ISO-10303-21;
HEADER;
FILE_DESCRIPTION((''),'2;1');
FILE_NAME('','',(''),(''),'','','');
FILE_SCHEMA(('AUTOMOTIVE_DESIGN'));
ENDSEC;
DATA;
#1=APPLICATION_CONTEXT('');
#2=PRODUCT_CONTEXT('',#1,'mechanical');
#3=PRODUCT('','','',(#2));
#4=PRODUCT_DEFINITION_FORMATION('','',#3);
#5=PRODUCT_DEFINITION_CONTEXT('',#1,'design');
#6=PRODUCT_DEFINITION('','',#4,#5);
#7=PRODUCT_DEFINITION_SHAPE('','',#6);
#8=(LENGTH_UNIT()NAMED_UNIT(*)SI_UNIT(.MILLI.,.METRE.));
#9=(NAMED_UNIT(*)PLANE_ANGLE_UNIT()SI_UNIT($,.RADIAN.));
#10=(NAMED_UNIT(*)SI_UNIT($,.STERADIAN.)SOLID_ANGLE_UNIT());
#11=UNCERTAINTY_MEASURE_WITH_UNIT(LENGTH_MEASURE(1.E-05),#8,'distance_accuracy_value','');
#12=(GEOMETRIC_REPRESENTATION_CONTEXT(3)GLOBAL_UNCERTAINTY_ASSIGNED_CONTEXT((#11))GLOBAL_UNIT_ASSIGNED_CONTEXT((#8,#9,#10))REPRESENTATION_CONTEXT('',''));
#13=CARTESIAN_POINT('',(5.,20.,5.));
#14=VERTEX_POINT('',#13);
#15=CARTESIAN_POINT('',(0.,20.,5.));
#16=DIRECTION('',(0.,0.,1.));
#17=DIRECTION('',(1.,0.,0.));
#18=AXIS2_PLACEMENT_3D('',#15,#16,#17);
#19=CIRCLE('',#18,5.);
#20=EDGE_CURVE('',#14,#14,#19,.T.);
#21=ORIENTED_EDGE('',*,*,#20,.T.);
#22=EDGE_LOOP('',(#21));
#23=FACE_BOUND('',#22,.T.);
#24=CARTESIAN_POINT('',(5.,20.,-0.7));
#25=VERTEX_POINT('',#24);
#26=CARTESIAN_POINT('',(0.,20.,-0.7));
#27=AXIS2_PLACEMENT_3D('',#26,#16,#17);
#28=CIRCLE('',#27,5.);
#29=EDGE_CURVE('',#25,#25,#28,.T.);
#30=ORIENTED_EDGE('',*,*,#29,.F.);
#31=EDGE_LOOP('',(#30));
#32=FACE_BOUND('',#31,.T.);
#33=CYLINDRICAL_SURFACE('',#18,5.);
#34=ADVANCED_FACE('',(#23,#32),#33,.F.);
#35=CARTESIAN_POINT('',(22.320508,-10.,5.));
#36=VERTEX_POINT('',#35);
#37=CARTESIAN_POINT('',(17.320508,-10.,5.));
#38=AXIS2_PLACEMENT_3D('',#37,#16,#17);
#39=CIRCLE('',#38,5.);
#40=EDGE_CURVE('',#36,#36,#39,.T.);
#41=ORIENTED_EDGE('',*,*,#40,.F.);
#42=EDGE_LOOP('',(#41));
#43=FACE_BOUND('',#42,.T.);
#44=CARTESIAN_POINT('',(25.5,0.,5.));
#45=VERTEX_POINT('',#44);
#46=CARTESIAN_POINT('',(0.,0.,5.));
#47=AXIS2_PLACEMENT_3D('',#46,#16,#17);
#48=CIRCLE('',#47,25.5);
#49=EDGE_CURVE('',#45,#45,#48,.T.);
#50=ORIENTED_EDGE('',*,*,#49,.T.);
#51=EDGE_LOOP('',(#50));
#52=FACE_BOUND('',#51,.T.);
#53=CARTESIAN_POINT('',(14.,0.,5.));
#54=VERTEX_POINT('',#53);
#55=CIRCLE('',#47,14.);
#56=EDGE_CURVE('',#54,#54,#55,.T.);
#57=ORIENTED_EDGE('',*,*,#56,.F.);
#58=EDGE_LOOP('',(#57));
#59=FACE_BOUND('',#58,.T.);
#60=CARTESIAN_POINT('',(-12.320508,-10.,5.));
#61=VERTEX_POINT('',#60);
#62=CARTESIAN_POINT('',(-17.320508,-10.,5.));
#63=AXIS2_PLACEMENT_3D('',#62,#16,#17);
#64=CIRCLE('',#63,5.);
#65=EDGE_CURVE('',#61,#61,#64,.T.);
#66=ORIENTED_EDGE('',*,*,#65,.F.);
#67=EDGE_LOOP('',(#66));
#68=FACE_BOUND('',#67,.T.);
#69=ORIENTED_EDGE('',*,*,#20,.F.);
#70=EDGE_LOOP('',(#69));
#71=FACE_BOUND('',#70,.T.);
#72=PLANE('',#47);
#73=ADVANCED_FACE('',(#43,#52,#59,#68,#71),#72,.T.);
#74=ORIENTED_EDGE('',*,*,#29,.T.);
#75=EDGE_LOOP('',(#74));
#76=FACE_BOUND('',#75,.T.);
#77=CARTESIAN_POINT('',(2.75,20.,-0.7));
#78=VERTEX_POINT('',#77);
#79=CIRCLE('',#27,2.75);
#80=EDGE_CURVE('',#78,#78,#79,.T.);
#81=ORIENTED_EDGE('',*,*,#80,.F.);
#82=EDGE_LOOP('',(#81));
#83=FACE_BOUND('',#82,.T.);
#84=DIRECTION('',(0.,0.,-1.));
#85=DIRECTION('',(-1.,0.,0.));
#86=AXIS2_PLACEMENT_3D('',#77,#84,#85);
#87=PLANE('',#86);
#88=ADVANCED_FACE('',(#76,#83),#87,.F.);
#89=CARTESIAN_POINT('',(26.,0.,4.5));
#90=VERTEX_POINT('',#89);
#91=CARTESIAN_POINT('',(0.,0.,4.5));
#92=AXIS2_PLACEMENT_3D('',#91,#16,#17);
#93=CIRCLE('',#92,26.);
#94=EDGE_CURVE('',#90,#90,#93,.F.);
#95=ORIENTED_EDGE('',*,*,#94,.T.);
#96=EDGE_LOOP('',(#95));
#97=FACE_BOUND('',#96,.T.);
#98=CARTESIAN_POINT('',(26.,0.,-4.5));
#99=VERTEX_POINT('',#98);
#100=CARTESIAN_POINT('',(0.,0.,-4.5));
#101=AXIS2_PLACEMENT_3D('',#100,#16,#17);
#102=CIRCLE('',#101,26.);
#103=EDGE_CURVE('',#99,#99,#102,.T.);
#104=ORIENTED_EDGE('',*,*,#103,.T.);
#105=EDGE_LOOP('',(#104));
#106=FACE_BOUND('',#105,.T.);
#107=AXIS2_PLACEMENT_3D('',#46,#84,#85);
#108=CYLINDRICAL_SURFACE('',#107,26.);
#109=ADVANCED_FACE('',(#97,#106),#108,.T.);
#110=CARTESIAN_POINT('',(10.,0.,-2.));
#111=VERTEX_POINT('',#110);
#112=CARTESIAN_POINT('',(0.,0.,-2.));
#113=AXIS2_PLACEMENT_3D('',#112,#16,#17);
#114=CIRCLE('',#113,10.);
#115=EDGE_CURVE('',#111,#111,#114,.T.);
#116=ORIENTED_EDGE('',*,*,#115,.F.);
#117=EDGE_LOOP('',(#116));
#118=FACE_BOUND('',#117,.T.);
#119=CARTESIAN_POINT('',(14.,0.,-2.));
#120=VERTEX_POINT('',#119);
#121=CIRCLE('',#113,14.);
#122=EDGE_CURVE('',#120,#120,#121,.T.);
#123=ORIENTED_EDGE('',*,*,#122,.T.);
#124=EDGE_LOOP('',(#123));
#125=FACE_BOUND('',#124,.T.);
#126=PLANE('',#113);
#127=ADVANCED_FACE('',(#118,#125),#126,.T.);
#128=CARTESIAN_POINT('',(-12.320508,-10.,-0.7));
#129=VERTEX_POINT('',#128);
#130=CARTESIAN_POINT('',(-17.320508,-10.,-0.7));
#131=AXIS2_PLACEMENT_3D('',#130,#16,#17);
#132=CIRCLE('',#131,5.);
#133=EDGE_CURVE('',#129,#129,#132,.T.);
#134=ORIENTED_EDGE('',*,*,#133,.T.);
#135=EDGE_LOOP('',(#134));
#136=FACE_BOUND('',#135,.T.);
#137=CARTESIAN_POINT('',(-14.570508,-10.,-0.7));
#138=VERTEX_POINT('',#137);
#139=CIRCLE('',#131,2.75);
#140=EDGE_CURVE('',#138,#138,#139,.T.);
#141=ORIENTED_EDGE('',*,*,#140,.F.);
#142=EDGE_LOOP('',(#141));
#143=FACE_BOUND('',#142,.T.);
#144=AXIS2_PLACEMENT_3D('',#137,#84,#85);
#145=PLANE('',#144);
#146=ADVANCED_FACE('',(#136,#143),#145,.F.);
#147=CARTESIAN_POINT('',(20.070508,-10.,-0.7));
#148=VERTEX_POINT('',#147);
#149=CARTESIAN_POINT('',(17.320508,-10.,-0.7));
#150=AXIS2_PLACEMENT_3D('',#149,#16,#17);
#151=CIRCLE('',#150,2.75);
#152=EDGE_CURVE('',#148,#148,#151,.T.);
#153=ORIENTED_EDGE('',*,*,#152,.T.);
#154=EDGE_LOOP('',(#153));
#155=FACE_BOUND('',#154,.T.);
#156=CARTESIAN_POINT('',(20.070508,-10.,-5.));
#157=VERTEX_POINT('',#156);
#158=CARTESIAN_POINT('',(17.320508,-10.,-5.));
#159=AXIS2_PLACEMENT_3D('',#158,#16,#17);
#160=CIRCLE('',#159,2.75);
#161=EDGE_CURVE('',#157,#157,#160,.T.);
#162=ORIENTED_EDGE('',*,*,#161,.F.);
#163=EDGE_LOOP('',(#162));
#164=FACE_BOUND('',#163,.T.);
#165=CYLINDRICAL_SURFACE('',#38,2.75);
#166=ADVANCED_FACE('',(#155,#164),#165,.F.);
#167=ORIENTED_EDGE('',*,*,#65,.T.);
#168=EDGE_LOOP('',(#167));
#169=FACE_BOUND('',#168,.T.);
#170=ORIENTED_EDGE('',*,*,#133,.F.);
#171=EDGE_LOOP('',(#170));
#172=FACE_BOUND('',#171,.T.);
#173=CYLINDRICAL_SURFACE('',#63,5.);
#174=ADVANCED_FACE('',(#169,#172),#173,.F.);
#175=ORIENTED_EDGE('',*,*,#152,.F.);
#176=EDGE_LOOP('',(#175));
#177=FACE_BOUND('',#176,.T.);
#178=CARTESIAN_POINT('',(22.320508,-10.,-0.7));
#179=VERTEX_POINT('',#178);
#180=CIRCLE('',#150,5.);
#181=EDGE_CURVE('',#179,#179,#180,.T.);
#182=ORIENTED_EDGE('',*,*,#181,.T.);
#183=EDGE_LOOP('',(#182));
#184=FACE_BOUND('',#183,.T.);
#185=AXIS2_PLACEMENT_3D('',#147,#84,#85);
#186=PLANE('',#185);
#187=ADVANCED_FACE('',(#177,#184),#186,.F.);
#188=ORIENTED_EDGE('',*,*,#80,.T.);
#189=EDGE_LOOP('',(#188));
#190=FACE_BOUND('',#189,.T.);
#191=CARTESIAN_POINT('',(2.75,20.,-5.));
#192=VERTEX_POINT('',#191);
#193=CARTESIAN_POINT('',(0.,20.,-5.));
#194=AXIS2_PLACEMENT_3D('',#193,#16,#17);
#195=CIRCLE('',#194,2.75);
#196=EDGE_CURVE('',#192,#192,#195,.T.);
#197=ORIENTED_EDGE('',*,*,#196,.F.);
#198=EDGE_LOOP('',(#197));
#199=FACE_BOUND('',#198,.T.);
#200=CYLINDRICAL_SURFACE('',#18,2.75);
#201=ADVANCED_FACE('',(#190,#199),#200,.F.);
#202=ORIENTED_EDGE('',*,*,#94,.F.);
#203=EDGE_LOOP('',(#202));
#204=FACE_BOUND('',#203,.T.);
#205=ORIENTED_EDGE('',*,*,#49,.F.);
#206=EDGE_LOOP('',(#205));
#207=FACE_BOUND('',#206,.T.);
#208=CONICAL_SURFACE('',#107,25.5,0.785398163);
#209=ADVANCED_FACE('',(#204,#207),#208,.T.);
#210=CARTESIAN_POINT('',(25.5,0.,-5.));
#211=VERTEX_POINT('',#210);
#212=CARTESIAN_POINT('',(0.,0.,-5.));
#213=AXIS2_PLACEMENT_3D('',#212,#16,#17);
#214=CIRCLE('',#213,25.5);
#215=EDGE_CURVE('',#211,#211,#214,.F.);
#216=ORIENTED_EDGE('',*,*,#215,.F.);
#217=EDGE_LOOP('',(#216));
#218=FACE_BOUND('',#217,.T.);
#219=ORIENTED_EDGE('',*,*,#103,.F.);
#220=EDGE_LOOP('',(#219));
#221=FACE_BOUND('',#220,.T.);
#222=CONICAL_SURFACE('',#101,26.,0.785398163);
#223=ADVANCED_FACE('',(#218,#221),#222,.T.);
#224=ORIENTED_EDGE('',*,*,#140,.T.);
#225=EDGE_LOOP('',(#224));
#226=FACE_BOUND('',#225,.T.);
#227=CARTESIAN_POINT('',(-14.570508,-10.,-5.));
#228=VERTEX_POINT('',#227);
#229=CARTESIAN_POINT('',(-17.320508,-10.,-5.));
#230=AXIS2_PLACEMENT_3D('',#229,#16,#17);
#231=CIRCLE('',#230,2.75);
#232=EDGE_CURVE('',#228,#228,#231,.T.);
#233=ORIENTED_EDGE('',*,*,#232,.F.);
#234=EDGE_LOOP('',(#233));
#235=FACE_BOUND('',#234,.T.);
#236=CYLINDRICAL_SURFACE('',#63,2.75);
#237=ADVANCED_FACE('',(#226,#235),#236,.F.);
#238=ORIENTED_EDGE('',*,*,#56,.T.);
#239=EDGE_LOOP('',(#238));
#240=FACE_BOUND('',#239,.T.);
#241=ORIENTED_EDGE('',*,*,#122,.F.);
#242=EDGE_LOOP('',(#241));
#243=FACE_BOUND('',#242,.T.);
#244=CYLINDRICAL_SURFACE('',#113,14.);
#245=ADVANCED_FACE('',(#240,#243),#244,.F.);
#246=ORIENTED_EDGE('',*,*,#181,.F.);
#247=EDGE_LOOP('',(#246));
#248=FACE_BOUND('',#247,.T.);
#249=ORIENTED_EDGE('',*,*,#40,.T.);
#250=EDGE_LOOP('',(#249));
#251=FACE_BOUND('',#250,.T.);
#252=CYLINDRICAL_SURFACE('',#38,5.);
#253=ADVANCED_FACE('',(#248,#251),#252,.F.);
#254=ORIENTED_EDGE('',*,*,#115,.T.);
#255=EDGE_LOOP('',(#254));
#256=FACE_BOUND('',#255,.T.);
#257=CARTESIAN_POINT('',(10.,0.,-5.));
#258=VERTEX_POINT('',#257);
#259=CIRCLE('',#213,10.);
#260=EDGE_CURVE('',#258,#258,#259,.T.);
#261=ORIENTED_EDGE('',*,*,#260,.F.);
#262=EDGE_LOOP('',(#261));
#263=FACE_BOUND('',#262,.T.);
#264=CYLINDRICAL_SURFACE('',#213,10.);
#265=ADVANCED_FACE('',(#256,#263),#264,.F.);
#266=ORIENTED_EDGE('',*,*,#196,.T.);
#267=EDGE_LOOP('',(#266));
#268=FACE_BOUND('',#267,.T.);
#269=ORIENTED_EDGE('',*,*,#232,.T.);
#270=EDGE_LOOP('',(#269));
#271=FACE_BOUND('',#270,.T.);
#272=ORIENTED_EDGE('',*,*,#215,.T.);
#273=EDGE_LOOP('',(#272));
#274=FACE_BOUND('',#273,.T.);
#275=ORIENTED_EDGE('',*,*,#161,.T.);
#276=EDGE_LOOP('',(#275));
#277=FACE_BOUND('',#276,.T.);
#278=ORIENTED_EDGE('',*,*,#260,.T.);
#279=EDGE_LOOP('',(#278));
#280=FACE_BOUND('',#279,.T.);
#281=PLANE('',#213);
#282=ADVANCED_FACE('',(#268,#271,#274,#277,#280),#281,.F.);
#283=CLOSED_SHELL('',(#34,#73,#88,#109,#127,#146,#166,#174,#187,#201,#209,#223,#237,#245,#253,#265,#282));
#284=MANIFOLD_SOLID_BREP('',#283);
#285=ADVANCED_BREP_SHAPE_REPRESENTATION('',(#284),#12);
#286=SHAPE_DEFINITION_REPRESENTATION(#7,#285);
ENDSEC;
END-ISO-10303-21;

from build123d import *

# Parameters (mm, degrees)
SKETCH_1_R                = 26
EXTRUDE_1_DEPTH           = 5
SKETCH_2_R                = 14
CUT_EXTRUDE_1_DEPTH       = 7
SKETCH_3_R                = 10
CUT_EXTRUDE_2_DEPTH       = 38.429934544
HOLE_WIZARD_1_D           = 5.5
HOLE_WIZARD_1_CBORE_D     = 10
HOLE_WIZARD_1_CBORE_DEPTH = 5.7
CHAMFER_1_SIZE            = 0.5
PATTERN_CIRCULAR_1_COUNT  = 3


with BuildPart() as part:
    # 草图1 → 凸台-拉伸1 (new, symmetric)
    with BuildSketch(Plane.XY):
        Circle(SKETCH_1_R)
    extrude(amount=EXTRUDE_1_DEPTH, both=True)

    # 草图2 → 切除-拉伸1 (cut)
    with BuildSketch(Plane.XY.offset(5)):
        Circle(SKETCH_2_R)
    extrude(amount=-CUT_EXTRUDE_1_DEPTH, mode=Mode.SUBTRACT)

    # 草图3 → 切除-拉伸2 (cut, through all)
    with BuildSketch(Plane.XY.offset(-2)):
        Circle(SKETCH_3_R)
    extrude(amount=-CUT_EXTRUDE_2_DEPTH, mode=Mode.SUBTRACT)

    # 打孔尺寸根据内六角圆柱头螺钉的类型1 (through all)
    with Locations(Plane.XY.offset(5)):
        with Locations((0, 20)):
            hole_wizard_1 = CounterBoreHole(HOLE_WIZARD_1_D / 2, HOLE_WIZARD_1_CBORE_D / 2, HOLE_WIZARD_1_CBORE_DEPTH)

    # 倒角1
    chamfer_1_edges = [part.edges().sort_by_distance(p)[0] for p in [
        (-26, 0, -5),
        (-26, 0, 5),
    ]]
    chamfer(chamfer_1_edges, length=CHAMFER_1_SIZE)

    # 阵列(圆周)1: 打孔尺寸根据内六角圆柱头螺钉的类型1 ×3 about axis
    pattern_circular_1_axis = Axis((0, 0, 0), (0, 0, 1))
    for i in range(1, PATTERN_CIRCULAR_1_COUNT):
        add(hole_wizard_1.rotate(pattern_circular_1_axis, i * 360 / PATTERN_CIRCULAR_1_COUNT), mode=Mode.SUBTRACT)


solid = part.part
